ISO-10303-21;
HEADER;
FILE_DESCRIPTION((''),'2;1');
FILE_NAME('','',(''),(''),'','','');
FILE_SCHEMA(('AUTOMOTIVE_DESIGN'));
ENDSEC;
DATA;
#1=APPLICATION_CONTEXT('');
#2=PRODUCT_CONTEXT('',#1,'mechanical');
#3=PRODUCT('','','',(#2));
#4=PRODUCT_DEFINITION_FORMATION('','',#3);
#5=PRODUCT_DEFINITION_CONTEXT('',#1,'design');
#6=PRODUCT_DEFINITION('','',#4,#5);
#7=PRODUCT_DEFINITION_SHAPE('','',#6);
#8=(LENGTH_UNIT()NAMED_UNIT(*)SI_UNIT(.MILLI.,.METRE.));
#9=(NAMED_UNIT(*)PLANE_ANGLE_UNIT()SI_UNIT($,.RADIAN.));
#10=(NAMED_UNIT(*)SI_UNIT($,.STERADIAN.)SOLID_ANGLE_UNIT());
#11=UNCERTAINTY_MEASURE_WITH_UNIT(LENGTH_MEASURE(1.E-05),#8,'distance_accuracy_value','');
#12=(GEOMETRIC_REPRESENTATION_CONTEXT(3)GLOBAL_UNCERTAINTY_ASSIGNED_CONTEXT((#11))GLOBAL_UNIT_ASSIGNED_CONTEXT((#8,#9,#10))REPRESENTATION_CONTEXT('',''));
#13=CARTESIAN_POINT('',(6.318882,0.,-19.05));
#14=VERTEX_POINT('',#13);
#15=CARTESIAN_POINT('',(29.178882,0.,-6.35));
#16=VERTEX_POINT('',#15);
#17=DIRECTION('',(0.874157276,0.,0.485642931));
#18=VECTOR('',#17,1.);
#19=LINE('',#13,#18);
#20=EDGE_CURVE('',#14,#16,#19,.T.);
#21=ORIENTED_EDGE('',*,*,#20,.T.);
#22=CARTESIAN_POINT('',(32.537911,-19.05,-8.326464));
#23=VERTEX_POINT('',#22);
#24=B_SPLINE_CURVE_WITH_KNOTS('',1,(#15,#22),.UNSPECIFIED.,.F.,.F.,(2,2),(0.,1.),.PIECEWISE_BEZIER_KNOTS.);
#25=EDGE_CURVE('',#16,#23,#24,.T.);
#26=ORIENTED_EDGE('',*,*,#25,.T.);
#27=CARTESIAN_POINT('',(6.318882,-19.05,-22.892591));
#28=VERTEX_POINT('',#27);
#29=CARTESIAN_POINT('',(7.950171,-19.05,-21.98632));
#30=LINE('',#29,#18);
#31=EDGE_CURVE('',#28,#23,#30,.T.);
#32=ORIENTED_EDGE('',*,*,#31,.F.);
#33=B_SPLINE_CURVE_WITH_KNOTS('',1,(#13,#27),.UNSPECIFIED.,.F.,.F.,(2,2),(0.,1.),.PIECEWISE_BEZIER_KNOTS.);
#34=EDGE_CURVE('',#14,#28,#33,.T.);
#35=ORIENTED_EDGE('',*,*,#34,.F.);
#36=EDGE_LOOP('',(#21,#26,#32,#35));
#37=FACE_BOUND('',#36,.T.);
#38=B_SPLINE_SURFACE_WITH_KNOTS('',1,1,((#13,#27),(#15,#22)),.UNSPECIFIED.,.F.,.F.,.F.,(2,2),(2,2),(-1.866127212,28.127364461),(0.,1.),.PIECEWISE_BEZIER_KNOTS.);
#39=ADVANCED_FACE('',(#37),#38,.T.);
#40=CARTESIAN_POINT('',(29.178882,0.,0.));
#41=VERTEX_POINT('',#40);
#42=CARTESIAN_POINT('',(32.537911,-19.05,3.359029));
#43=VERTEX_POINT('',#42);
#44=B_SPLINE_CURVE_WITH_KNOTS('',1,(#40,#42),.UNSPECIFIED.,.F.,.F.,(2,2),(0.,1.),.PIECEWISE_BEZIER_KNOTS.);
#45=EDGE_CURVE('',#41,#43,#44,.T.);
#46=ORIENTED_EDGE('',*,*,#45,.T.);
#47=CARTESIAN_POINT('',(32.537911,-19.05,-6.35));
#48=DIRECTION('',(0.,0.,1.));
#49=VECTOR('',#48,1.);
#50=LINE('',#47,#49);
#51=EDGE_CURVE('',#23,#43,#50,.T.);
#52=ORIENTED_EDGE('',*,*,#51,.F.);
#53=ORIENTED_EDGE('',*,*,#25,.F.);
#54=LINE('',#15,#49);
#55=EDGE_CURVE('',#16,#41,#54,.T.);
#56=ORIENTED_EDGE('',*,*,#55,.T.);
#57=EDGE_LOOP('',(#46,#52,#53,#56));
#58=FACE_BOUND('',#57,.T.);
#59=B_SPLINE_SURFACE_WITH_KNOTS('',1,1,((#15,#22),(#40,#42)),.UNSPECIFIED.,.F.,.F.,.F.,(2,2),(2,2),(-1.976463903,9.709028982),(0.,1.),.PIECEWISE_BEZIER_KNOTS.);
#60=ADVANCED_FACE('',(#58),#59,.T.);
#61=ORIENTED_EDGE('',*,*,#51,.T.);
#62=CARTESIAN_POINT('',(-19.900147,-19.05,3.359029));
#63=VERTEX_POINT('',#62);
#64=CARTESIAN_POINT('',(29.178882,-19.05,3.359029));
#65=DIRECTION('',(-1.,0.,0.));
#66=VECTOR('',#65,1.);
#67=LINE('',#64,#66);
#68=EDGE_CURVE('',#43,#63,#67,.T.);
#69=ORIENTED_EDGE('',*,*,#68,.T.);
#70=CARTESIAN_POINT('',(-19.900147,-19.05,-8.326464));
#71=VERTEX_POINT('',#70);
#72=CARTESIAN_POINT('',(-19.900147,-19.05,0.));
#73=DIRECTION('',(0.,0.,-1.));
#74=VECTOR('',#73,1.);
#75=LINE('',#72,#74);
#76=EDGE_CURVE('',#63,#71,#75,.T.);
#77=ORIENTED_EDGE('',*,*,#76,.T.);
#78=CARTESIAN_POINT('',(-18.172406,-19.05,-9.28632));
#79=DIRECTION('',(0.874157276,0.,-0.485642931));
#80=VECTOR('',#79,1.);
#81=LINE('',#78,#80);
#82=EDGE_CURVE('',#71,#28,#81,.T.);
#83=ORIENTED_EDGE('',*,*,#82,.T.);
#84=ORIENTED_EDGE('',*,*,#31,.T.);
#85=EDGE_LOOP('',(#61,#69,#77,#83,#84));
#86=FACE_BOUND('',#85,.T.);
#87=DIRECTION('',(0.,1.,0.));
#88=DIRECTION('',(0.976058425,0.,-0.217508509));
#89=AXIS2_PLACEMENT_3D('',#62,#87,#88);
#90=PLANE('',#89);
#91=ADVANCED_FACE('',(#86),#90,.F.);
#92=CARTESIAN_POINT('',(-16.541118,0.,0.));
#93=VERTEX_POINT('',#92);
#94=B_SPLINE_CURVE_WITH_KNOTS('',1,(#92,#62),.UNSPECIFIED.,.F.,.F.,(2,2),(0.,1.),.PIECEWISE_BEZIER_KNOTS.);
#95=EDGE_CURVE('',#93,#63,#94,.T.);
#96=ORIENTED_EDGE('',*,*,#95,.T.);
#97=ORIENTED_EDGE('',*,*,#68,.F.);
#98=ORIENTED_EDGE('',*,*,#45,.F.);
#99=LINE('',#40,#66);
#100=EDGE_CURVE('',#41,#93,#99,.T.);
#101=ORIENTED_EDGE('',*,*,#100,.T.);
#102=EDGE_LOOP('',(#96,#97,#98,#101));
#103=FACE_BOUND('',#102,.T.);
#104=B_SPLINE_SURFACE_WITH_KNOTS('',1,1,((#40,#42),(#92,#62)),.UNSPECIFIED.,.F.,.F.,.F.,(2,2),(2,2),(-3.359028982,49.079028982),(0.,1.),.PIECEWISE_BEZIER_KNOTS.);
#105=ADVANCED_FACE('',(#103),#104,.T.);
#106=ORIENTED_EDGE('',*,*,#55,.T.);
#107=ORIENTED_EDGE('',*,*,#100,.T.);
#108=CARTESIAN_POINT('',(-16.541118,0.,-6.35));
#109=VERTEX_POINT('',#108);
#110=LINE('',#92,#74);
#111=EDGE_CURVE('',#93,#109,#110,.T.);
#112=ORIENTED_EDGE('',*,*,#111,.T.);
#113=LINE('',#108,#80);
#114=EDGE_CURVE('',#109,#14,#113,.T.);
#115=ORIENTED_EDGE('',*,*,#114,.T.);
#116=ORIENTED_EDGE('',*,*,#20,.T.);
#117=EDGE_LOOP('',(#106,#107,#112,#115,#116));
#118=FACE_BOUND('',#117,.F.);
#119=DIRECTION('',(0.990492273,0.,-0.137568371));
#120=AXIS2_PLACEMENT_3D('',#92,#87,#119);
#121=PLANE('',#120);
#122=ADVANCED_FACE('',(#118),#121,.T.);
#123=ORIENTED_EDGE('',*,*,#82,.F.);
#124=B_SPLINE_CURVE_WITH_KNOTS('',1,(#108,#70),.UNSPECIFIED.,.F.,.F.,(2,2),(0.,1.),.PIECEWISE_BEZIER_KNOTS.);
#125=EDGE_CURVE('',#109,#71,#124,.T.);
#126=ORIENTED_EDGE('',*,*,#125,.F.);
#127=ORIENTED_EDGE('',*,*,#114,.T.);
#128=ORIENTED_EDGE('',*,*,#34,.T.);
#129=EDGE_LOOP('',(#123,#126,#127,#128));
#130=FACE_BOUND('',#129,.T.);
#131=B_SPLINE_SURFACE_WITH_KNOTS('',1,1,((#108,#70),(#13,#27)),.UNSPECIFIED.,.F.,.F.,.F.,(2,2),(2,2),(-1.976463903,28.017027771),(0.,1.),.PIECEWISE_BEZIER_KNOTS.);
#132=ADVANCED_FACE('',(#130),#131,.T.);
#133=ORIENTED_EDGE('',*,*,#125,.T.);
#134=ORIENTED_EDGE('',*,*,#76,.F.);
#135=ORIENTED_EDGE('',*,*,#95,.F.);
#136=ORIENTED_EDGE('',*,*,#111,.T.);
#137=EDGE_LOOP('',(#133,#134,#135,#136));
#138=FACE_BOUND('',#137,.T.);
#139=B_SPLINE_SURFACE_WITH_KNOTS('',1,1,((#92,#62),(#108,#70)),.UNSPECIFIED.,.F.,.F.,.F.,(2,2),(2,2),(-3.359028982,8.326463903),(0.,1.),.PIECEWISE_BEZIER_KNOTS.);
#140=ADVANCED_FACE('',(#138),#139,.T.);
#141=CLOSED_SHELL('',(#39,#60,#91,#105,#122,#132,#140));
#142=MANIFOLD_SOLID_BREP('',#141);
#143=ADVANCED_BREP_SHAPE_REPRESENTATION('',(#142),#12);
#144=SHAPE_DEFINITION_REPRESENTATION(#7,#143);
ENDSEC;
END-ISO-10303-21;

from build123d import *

# Parameters (mm, degrees)
F1_DEPTH = 19.05
F1_TAPER = -10


with BuildPart() as f1:
    # F0 (on Front) → F1 (new body)
    with BuildSketch(Plane.XZ):
        Polygon((6.3188821977, 0), (-16.5411178023, 0), (-16.5411178023, -6.35), (6.3188821977, -19.05), align=None)
        Polygon((29.1788821977, 0), (6.3188821977, 0), (6.3188821977, -19.05), (29.1788821977, -6.35), align=None)
    extrude(amount=F1_DEPTH, taper=F1_TAPER)


solid = f1.part
